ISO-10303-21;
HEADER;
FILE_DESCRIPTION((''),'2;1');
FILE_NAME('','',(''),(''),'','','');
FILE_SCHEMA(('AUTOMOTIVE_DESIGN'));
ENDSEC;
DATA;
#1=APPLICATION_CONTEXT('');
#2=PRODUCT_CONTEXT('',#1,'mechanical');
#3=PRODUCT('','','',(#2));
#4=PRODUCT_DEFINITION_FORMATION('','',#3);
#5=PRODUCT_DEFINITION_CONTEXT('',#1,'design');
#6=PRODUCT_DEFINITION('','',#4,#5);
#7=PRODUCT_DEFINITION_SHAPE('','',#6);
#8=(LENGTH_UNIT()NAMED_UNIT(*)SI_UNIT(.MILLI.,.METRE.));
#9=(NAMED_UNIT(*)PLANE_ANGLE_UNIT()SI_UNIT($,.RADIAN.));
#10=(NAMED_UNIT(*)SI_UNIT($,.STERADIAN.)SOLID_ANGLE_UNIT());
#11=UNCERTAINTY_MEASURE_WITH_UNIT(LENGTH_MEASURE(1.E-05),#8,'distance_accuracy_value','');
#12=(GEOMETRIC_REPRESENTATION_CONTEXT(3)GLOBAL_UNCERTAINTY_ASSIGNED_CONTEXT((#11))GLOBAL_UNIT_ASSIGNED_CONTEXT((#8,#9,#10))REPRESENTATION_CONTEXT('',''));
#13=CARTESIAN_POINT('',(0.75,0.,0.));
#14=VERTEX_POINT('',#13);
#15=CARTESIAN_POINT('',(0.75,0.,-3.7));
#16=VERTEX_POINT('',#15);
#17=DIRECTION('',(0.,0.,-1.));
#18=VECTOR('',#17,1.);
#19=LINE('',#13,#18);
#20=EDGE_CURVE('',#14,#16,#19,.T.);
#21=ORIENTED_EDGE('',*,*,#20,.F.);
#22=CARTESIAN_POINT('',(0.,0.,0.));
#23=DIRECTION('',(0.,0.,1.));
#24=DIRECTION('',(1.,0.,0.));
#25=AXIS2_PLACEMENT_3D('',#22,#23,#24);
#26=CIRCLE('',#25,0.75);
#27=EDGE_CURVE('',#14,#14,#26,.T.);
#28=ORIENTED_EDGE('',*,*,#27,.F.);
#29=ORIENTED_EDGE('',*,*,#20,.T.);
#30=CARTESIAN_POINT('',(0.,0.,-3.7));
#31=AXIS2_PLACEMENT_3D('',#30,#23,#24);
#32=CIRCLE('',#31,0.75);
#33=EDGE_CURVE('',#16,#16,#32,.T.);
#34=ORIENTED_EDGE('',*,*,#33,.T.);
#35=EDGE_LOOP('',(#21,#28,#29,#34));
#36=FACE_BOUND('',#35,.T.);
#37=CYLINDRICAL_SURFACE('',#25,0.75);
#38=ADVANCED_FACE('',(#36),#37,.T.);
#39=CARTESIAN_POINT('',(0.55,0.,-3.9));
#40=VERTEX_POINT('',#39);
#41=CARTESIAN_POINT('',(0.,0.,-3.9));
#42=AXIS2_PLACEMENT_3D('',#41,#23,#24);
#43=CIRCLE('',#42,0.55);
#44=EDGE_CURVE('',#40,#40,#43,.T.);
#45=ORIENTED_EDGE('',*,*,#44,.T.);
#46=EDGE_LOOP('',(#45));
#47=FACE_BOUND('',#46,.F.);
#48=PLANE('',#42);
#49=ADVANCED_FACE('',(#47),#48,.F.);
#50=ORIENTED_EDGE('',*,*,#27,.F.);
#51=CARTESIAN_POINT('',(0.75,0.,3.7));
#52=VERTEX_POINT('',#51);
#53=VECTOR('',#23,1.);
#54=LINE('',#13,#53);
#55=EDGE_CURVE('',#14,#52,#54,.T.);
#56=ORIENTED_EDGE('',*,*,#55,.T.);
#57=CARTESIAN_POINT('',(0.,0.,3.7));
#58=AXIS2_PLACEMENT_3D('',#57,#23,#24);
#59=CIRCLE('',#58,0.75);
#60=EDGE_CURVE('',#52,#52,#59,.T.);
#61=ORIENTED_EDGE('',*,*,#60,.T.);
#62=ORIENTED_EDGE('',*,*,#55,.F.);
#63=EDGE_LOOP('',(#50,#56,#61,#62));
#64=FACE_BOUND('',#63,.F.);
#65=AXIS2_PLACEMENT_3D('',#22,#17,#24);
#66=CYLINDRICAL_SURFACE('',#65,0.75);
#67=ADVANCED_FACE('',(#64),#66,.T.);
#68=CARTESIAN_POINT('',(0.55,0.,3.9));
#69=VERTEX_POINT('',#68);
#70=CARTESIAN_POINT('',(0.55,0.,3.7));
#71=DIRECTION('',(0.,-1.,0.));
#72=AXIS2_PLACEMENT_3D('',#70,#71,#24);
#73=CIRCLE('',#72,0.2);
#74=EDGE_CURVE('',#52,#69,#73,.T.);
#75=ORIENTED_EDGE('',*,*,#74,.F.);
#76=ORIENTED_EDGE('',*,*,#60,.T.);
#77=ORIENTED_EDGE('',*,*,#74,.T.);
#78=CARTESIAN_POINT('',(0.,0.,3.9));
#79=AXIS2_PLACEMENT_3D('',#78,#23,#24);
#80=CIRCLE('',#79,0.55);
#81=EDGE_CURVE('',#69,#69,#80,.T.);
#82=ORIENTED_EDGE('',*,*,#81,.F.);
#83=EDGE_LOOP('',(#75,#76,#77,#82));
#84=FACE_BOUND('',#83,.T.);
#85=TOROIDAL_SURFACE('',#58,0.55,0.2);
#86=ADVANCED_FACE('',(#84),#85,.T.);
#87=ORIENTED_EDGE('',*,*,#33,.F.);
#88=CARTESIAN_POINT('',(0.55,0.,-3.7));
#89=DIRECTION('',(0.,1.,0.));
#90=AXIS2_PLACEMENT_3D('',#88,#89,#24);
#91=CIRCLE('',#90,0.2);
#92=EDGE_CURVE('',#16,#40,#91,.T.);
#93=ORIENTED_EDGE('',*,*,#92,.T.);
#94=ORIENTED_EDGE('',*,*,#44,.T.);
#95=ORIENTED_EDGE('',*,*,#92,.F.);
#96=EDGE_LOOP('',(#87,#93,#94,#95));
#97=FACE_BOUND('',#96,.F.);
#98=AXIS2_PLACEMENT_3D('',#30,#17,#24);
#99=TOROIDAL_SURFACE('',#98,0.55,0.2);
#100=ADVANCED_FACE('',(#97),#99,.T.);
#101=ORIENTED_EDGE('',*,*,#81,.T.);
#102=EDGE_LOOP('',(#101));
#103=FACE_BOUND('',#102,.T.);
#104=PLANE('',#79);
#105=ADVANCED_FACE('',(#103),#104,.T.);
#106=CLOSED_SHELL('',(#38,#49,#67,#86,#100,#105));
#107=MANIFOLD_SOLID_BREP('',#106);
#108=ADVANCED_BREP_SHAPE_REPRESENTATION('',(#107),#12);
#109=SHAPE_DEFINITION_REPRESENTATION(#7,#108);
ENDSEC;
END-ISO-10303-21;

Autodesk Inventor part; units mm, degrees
ref_plane "YZ Plane" through (0, 0, 0) normal (1, 0, 0) x (0, 1, 0)
ref_plane "XZ Plane" through (0, 0, 0) normal (0, 1, 0) x (-1, 0, 0)
ref_plane "XY Plane" through (0, 0, 0) normal (0, 0, 1) x (1, 0, 0)
sketch "Sketch1" plane through (0, 0, 0) normal (0, 0, 1) x (1, 0, 0)
  circle A0 centre (0, 0) radius 0.75
  dimension "d0" = 1.5
extrude "Extrusion1" add sketch "Sketch1" along normal mid plane 7.8
fillet "Fillet1" radius 0.2 2 edges at (-0.75, 0, 3.9) (-0.75, 0, -3.9)
properties part number "pin 1.5x7.8" material "Stainless Steel"
